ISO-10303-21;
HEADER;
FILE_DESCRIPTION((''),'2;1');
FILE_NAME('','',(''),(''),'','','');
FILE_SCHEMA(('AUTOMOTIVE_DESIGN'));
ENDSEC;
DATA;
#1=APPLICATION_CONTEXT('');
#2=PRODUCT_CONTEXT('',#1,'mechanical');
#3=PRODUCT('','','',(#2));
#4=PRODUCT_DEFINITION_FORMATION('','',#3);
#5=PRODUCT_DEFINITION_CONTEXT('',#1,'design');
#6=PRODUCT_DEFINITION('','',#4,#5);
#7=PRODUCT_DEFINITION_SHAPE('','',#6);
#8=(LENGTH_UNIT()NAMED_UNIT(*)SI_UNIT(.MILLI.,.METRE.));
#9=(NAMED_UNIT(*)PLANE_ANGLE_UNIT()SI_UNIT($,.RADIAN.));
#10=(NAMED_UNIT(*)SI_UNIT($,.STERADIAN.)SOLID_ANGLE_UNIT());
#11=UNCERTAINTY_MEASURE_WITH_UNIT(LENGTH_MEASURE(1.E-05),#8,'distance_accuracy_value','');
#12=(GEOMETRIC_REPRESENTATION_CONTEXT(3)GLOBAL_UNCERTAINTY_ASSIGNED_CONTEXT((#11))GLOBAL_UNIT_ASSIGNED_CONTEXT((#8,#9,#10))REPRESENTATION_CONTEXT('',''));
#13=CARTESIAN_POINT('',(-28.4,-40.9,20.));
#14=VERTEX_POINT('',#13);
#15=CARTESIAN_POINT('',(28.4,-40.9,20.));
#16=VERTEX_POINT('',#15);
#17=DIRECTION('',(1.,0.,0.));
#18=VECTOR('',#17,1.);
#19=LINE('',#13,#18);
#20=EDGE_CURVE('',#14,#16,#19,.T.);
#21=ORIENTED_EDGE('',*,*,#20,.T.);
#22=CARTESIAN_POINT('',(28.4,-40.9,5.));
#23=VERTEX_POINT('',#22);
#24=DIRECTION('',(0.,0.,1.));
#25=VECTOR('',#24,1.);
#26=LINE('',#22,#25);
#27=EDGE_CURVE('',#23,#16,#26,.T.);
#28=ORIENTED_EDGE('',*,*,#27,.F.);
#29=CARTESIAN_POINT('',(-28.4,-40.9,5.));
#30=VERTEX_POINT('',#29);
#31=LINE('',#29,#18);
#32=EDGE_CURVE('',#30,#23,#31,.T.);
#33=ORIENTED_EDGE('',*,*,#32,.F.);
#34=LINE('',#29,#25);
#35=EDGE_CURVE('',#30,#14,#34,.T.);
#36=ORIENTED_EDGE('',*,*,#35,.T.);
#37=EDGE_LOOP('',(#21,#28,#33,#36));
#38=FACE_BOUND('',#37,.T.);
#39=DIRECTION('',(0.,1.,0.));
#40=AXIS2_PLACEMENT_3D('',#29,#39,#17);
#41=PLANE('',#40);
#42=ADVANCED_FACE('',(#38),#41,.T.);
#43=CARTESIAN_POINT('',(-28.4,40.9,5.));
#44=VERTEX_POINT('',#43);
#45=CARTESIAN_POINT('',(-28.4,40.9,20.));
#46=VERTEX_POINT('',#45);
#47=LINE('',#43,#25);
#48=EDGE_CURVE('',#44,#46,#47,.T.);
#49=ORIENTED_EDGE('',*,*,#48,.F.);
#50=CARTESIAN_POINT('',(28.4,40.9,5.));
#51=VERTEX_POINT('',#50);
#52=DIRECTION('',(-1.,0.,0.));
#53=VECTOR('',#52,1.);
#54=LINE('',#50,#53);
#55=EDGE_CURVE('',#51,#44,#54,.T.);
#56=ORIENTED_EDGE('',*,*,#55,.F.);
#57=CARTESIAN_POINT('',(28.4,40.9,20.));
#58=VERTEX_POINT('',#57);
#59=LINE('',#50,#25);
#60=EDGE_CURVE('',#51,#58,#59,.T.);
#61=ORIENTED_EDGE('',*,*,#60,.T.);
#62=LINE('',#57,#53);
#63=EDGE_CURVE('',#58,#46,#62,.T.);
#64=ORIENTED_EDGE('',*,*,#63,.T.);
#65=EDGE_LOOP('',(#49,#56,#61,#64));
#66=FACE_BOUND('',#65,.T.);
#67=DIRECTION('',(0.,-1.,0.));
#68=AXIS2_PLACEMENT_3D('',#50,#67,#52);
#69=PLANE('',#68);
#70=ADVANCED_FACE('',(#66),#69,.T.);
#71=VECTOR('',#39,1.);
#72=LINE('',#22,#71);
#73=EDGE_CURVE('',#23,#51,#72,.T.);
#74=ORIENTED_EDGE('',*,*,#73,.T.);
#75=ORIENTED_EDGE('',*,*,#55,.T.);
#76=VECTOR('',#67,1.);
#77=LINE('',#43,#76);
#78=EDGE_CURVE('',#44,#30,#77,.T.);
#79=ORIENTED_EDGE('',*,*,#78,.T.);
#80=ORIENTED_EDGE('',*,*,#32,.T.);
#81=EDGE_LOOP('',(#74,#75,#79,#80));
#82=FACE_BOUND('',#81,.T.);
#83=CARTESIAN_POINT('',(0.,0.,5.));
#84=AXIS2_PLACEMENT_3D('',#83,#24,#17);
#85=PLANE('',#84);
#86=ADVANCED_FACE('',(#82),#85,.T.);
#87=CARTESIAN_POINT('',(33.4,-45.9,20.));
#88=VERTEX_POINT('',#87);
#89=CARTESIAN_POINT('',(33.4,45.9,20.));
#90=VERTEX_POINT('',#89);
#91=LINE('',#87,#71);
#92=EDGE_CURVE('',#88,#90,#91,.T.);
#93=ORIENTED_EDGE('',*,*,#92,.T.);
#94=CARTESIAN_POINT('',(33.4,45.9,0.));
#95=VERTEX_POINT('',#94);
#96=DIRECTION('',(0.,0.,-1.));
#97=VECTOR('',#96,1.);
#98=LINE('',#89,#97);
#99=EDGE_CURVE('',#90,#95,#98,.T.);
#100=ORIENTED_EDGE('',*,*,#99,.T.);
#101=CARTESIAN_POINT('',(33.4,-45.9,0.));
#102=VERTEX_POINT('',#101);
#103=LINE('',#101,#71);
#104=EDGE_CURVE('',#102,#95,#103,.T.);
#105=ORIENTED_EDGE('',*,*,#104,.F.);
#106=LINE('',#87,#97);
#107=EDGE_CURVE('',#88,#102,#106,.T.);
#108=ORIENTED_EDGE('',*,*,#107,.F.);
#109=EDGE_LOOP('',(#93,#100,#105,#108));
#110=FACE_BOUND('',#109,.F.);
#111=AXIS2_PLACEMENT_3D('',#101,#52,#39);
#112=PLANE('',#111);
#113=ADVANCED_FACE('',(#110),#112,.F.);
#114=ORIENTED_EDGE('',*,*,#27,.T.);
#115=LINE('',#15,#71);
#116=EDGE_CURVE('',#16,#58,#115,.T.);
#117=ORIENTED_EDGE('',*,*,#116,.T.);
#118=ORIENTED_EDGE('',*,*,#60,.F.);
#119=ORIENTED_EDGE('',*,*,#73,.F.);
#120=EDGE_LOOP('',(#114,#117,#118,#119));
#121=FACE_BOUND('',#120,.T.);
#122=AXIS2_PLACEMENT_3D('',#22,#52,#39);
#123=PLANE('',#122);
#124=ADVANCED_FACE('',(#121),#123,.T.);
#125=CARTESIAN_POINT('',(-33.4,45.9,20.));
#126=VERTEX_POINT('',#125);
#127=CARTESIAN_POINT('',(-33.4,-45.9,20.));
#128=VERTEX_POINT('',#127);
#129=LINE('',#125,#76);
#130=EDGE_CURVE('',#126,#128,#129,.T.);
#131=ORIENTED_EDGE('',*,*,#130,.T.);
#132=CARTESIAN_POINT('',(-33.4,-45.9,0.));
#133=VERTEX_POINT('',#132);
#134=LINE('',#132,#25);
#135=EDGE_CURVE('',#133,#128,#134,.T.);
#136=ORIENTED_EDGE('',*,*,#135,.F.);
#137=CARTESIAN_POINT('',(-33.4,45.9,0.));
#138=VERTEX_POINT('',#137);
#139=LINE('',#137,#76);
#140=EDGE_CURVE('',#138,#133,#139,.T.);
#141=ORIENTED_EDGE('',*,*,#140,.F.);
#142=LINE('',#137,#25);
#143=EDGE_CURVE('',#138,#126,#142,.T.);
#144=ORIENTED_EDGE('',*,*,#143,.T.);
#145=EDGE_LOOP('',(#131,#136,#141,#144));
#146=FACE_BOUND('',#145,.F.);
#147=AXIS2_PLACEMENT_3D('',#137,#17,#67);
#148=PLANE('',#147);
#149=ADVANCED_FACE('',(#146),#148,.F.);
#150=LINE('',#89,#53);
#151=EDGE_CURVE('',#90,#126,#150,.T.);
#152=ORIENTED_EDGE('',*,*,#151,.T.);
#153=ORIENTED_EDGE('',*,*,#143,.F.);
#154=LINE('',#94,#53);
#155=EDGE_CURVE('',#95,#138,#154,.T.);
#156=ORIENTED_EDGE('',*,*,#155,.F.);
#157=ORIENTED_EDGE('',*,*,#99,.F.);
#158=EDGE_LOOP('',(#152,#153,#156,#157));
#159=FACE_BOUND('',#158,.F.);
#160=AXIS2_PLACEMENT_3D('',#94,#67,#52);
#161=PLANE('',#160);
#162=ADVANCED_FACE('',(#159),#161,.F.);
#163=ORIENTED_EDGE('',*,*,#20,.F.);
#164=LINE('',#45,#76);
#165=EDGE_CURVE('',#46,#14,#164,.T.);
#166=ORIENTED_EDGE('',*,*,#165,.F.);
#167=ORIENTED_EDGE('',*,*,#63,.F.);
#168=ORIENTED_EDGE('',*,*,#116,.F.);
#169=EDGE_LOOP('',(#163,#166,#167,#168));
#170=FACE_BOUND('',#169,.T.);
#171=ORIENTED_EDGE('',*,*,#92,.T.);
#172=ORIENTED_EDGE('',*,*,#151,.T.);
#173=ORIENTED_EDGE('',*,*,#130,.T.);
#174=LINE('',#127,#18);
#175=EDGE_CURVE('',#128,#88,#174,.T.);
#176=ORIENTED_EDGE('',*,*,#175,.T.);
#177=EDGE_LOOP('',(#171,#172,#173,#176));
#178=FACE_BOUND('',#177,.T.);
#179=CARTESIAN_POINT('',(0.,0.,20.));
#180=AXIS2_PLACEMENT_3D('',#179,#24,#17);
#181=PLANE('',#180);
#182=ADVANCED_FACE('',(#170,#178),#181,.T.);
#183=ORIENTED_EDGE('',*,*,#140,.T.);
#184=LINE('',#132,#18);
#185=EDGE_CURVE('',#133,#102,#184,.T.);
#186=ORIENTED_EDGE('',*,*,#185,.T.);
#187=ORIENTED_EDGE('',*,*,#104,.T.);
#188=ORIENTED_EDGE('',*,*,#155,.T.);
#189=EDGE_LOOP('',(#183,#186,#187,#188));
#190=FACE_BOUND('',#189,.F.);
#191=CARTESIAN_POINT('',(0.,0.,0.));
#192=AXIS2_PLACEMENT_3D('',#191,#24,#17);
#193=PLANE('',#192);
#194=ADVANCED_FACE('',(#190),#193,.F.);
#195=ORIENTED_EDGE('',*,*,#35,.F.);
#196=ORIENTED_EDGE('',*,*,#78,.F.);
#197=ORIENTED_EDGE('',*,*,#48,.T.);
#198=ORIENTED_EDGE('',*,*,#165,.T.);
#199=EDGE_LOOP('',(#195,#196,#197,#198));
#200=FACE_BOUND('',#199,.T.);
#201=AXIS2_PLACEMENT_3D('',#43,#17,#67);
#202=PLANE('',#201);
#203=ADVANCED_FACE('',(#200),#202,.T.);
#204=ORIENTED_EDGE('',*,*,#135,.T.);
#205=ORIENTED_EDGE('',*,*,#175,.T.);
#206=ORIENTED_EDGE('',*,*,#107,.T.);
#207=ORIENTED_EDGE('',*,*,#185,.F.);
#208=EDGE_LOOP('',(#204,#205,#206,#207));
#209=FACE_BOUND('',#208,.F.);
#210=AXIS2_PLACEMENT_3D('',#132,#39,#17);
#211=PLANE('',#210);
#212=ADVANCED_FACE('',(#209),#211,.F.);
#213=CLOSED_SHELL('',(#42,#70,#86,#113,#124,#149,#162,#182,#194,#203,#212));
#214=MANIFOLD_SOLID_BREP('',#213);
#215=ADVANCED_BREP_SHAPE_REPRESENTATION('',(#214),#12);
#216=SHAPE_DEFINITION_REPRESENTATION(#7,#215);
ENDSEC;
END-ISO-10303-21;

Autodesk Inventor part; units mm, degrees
ref_plane "YZ Plane" through (0, 0, 0) normal (1, 0, 0) x (0, 1, 0)
ref_plane "XZ Plane" through (0, 0, 0) normal (0, 1, 0) x (-1, 0, 0)
ref_plane "XY Plane" through (0, 0, 0) normal (0, 0, 1) x (1, 0, 0)
ref_plane "Arbeitsebene1" through (0, 0, 0) normal (0, 0, 1) x (1, 0, 0)
sketch "Skizze1" plane through (0, 0, 0) normal (0, 0, 1) x (1, 0, 0)
  line L0 (-33.9, 46.4) -> (-33.9, -46.4) projected
  line L1 (-33.9, -46.4) -> (33.9, -46.4) projected
  line L2 (33.9, -46.4) -> (33.9, 46.4) projected
  line L3 (33.9, 46.4) -> (-33.9, 46.4) projected
  line L4 (-33.4, 45.9) -> (-33.4, -45.9)
  line L5 (-33.4, -45.9) -> (33.4, -45.9)
  line L6 (33.4, -45.9) -> (33.4, 45.9)
  line L7 (33.4, 45.9) -> (-33.4, 45.9)
  point P0 (0, 0)
  dimension "d0" = 0.5
extrude "Extrusion1" add sketch "Skizze1" along normal blind 5 contours L7 L6 L5 L4
sketch "Skizze2" plane through (0, 0, 5) normal (0, 0, 1) x (1, 0, 0)
  line L0 (-33.4, 45.9) -> (-33.4, -45.9) projected
  line L1 (-33.4, -45.9) -> (33.4, -45.9) projected
  line L2 (33.4, -45.9) -> (33.4, 45.9) projected
  line L3 (33.4, 45.9) -> (-33.4, 45.9) projected
  line L4 (-28.4, 40.9) -> (-28.4, -40.9)
  line L5 (-28.4, -40.9) -> (28.4, -40.9)
  line L6 (28.4, -40.9) -> (28.4, 40.9)
  line L7 (28.4, 40.9) -> (-28.4, 40.9)
  point P0 (0, 0)
  dimension "d3" = 5
extrude "Extrusion2" add sketch "Skizze2" along normal blind 15
properties part number "InlayUnten" material "Kautschuk"
